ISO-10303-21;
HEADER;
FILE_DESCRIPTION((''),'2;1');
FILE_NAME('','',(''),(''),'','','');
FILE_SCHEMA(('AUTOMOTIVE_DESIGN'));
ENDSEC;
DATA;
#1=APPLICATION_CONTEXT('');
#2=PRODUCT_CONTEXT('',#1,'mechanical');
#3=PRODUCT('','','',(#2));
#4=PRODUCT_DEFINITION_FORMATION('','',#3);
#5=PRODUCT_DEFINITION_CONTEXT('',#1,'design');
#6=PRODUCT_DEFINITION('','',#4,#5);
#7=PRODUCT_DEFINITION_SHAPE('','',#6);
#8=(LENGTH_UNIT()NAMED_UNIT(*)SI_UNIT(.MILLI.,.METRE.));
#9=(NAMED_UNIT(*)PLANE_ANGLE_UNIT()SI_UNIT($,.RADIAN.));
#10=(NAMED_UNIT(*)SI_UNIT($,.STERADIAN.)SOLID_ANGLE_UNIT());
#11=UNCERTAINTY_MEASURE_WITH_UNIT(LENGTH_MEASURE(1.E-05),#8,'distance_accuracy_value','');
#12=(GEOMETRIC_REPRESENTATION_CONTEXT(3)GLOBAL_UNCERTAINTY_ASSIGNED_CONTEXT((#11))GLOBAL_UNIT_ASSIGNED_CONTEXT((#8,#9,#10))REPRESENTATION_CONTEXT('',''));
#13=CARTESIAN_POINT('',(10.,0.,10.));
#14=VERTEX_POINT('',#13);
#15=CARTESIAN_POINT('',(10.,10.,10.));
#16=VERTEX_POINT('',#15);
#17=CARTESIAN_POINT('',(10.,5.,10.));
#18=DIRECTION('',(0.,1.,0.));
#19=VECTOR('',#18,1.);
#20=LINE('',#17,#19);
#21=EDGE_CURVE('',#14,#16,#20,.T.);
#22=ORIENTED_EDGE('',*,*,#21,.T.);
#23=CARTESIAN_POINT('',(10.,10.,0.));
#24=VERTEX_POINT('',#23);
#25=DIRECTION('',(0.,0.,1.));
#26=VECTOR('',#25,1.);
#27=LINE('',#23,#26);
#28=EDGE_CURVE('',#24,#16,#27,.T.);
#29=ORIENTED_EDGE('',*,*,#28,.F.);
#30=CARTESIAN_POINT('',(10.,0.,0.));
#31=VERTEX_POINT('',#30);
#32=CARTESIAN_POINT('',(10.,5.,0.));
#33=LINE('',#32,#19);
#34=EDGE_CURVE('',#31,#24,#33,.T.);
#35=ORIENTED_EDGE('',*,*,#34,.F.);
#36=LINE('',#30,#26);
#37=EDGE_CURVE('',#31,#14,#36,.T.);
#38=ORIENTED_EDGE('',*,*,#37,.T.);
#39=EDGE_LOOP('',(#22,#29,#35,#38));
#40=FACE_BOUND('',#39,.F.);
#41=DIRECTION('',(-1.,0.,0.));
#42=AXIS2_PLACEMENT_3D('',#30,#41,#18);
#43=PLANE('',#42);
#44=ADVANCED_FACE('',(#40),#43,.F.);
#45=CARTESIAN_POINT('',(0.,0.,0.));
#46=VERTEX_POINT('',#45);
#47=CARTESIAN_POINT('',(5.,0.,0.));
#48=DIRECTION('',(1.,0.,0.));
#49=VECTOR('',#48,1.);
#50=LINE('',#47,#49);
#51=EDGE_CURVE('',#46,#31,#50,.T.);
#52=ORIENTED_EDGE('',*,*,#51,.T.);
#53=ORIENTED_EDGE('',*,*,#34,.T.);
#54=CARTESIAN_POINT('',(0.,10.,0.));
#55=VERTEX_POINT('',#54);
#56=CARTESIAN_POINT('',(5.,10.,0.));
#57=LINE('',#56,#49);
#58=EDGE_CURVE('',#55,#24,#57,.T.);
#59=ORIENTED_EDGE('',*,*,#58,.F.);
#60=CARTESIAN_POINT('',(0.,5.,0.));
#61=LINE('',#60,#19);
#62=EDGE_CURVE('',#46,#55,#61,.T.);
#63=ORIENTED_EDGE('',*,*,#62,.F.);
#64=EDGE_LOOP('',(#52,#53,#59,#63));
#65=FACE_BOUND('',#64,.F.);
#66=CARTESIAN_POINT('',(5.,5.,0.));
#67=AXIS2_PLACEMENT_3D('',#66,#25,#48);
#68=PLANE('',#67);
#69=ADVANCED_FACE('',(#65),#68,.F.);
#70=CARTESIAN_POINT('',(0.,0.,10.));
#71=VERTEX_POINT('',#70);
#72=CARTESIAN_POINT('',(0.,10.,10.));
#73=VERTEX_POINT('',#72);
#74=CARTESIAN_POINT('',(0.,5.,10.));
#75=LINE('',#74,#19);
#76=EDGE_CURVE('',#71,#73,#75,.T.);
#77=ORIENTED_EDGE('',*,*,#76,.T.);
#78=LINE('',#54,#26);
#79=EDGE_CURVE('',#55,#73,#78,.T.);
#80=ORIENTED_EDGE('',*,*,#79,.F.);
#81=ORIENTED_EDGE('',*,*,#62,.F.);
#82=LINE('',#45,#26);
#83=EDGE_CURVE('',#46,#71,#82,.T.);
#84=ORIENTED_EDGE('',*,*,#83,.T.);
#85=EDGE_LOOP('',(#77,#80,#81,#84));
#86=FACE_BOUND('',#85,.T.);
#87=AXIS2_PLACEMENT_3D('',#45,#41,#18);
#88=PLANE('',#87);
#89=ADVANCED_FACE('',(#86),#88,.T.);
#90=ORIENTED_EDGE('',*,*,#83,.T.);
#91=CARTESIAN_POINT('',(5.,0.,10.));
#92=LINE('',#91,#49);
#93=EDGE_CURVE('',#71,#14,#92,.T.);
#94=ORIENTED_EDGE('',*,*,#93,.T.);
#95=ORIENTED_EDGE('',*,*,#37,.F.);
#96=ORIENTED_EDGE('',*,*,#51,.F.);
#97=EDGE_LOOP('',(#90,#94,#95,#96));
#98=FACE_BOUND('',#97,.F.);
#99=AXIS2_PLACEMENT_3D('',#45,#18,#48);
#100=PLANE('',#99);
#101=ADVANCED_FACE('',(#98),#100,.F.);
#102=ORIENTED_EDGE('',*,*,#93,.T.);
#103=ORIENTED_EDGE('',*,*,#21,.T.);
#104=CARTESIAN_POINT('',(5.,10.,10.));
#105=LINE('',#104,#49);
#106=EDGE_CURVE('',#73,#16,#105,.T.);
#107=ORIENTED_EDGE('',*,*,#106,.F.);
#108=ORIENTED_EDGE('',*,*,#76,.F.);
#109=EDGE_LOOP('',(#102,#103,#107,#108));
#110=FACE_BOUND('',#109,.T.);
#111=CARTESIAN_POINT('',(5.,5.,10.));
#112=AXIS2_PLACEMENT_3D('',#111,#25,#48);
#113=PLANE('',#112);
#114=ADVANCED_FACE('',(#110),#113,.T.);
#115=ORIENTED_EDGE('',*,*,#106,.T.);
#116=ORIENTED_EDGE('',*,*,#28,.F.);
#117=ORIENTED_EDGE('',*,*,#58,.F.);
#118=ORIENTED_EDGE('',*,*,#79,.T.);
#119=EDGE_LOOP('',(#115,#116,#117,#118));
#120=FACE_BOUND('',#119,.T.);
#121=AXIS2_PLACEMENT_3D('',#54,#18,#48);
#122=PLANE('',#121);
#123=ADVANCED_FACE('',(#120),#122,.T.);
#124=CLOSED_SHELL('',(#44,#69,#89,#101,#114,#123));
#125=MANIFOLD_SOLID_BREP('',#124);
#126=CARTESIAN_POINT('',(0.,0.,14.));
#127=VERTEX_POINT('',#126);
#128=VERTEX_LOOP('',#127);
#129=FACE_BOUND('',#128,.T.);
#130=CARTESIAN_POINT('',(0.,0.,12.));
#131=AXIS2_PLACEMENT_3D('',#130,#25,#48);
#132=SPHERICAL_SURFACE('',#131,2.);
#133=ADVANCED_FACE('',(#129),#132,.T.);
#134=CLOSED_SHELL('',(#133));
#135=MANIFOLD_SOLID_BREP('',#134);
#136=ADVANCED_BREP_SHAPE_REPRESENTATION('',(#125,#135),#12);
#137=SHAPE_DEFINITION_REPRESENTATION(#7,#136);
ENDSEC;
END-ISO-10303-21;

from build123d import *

# Parameters (mm, degrees)
BOX_W     = 10
BOX_H     = 10
BOX_DEPTH = 10


with BuildPart() as nuestro_primer_cubo:
    # Box → Box (new body)
    with BuildSketch(Plane.XY):
        with Locations((5, 5)):
            Rectangle(BOX_W, BOX_H)
    extrude(amount=BOX_DEPTH)


with BuildPart() as nuestra_primera_esfera:
    # Sphere → Sphere (revolve)
    with BuildSketch(Plane(origin=(0, 0, 12), x_dir=(1, 0, 0), z_dir=(0, -1, 0))):
        with BuildLine():
            ThreePointArc((0, -2), (2, 0), (0, 2))
            Line((0, 2), (0, -2))
        make_face()
    revolve(axis=Axis((0, 0, 12), (0, 0, 1)))


solid = Compound([nuestro_primer_cubo.part, nuestra_primera_esfera.part])
